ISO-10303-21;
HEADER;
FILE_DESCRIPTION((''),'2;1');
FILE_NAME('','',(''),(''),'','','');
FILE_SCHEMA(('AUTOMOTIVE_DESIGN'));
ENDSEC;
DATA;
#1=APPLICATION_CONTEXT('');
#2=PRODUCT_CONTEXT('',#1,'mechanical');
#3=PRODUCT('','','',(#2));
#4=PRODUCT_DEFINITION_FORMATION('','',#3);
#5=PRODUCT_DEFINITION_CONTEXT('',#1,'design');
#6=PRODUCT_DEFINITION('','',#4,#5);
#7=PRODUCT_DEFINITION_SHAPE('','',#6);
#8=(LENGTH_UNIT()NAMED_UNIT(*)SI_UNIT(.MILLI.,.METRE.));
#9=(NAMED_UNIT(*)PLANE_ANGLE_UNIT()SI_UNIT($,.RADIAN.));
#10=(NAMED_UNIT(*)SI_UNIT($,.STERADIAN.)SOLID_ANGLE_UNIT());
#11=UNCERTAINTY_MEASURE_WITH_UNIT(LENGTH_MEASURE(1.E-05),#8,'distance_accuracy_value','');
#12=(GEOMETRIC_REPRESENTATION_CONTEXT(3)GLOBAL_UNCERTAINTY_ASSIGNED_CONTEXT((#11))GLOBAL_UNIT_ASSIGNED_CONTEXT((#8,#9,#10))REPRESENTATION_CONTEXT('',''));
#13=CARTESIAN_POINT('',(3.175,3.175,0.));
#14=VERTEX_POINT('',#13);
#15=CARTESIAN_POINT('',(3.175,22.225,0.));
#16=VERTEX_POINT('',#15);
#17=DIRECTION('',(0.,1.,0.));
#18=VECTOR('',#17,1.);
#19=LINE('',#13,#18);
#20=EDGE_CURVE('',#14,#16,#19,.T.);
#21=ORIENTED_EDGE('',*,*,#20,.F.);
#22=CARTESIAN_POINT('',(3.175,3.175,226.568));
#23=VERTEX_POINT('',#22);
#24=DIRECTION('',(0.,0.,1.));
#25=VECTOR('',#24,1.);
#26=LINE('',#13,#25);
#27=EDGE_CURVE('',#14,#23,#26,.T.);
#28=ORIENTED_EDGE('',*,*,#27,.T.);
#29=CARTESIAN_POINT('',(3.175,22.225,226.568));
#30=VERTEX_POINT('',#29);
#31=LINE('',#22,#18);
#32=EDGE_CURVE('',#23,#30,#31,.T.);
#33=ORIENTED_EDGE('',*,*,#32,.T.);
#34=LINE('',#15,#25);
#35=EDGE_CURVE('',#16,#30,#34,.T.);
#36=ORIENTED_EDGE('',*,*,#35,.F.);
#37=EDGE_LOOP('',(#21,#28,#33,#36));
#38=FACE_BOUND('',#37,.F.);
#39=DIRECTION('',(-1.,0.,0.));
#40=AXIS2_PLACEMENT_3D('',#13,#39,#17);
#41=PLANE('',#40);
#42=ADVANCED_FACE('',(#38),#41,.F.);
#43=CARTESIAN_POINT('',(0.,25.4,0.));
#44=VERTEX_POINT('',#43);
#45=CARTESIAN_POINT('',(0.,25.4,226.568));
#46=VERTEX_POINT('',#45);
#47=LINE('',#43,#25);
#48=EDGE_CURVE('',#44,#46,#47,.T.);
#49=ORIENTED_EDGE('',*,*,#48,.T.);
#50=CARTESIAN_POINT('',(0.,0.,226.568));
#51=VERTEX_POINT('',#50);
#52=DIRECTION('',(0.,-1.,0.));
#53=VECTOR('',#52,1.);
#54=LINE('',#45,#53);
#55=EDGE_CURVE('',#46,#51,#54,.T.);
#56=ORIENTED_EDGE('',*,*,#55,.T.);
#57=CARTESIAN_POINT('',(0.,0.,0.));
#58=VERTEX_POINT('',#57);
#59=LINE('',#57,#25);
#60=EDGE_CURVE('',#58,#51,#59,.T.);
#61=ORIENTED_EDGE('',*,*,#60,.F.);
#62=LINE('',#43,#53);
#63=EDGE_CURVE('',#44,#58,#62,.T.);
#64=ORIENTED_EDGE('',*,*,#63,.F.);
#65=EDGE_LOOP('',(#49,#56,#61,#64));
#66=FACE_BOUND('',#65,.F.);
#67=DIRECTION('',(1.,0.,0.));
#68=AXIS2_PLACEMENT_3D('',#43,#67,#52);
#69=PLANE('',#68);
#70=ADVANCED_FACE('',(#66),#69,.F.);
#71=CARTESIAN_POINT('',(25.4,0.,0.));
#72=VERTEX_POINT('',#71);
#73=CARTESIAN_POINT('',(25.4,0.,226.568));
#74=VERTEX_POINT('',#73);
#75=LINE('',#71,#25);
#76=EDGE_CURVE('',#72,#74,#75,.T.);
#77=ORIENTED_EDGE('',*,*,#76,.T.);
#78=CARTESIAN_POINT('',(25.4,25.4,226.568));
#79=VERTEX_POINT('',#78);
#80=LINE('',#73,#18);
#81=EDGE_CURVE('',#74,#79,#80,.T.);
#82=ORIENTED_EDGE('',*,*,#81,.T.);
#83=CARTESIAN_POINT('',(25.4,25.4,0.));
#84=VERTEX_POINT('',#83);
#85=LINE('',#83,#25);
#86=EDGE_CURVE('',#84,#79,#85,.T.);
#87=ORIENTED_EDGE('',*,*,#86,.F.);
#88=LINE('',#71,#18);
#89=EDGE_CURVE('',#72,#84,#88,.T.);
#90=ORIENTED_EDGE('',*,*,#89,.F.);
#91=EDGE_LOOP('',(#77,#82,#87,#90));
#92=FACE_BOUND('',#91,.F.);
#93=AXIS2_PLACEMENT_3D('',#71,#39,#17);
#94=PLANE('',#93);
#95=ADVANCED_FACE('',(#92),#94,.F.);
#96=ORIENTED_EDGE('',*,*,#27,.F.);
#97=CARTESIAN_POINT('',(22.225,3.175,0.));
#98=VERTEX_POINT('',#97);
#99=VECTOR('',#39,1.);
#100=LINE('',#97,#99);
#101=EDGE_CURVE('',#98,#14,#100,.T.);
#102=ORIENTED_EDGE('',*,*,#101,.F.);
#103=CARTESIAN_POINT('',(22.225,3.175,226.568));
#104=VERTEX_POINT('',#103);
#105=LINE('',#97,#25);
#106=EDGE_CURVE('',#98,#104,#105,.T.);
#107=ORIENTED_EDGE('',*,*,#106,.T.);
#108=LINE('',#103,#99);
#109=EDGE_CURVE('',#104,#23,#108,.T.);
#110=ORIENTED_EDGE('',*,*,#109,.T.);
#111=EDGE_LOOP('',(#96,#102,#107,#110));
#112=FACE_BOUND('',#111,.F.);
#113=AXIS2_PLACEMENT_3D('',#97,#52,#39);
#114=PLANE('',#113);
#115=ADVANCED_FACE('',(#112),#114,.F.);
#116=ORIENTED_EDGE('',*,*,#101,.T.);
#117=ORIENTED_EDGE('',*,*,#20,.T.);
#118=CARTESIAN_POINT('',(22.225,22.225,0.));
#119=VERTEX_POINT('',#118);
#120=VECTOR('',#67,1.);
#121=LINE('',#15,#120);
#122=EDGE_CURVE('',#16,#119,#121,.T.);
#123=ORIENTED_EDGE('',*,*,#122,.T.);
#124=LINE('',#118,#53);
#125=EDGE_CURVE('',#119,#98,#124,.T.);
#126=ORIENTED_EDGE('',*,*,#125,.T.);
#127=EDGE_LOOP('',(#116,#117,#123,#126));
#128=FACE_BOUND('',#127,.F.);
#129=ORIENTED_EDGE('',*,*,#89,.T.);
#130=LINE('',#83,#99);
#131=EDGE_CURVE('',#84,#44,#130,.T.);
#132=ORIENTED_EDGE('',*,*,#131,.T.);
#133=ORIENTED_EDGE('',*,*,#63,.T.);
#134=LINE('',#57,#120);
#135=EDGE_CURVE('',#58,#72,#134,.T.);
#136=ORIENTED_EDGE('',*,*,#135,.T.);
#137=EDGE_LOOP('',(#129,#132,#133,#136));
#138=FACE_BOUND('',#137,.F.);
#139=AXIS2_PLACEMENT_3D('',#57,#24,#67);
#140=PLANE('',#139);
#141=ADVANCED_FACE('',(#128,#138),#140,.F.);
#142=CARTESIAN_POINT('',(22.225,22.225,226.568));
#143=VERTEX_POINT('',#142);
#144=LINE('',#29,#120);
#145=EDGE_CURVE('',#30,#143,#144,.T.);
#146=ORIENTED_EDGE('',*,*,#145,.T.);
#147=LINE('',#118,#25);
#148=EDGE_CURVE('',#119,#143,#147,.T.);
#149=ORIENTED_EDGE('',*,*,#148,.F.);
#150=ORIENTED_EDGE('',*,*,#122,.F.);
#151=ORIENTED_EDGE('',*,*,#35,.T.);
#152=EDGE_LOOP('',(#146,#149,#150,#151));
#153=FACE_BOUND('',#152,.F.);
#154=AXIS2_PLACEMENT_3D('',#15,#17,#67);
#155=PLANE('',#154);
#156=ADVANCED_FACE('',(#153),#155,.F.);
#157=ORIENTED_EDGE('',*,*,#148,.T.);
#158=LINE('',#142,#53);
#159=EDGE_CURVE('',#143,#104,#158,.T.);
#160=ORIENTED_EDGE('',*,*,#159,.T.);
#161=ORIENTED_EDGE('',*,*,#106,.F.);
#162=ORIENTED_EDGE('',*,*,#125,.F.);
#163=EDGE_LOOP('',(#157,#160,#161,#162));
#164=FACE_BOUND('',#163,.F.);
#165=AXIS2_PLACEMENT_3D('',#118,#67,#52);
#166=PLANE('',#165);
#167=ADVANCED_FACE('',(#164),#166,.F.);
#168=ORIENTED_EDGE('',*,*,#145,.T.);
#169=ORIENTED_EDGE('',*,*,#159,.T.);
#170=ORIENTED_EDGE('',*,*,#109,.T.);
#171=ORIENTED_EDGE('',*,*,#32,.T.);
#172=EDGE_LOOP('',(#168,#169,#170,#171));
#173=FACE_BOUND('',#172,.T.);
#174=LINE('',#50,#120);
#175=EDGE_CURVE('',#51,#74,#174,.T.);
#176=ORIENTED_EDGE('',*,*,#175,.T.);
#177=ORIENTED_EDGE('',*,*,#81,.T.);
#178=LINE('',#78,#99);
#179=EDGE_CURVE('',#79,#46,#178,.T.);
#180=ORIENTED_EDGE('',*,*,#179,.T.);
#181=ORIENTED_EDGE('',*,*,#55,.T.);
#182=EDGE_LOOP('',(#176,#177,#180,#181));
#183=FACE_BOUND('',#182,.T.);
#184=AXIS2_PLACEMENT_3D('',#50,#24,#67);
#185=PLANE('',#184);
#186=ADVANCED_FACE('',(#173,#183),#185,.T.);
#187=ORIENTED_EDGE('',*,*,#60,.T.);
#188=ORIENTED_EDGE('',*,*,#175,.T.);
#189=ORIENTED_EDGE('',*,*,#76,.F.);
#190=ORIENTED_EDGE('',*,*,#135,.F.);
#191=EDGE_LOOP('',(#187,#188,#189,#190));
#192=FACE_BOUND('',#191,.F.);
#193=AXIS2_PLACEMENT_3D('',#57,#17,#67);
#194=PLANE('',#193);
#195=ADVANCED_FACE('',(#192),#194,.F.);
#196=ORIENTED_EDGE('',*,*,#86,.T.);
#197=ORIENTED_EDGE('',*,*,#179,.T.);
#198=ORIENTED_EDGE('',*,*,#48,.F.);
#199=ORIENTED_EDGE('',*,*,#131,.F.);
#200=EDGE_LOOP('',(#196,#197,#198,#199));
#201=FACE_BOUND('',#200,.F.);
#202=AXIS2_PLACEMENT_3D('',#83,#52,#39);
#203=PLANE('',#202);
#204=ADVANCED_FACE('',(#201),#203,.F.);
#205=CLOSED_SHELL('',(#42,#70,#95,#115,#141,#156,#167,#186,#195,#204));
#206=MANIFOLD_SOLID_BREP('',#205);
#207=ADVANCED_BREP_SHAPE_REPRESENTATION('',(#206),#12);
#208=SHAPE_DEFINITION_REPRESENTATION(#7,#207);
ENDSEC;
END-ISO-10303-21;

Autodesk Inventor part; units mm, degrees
ref_plane "YZ Plane" through (0, 0, 0) normal (1, 0, 0) x (0, 1, 0)
ref_plane "XZ Plane" through (0, 0, 0) normal (0, 1, 0) x (-1, 0, 0)
ref_plane "XY Plane" through (0, 0, 0) normal (0, 0, 1) x (1, 0, 0)
sketch "Sketch6" plane through (0, 0, 0) normal (0, 0, 1) x (1, 0, 0)
  line L0 (0, 0) -> (25.4, 0)
  line L1 (25.4, 0) -> (25.4, 25.4)
  line L2 (25.4, 25.4) -> (0, 25.4)
  line L3 (0, 25.4) -> (0, 0)
  line L4 (22.225, 22.225) -> (22.225, 3.175)
  line L5 (22.225, 3.175) -> (3.175, 3.175)
  line L6 (3.175, 3.175) -> (3.175, 22.225)
  line L7 (3.175, 22.225) -> (22.225, 22.225)
  dimension "d43" = 25.4
  dimension "d44" = 25.4
  dimension "d45" = 3.175
extrude "Extrusion1" add sketch "Sketch6" along normal blind 226.568
equation "\"BendRadius\" = Thickness"
equation "\"BendReliefWidth\" = Thickness"
equation "\"BendReliefDepth\" = 0.5 * Thickness"
equation "\"CornerReliefSize\" = 4 * Thickness"
equation "\"MinimumRemnant\" = 2 * Thickness"
equation "\"TransitionRadius\" = BendRadius"
equation "\"JacobiRadiusSize\" = BendRadius"
equation "\"GapSize\" = Thickness"
equation "\"d2\" = BendRadius"
equation "\"Thickness\" = 3.048"
properties part number "braceBar"
